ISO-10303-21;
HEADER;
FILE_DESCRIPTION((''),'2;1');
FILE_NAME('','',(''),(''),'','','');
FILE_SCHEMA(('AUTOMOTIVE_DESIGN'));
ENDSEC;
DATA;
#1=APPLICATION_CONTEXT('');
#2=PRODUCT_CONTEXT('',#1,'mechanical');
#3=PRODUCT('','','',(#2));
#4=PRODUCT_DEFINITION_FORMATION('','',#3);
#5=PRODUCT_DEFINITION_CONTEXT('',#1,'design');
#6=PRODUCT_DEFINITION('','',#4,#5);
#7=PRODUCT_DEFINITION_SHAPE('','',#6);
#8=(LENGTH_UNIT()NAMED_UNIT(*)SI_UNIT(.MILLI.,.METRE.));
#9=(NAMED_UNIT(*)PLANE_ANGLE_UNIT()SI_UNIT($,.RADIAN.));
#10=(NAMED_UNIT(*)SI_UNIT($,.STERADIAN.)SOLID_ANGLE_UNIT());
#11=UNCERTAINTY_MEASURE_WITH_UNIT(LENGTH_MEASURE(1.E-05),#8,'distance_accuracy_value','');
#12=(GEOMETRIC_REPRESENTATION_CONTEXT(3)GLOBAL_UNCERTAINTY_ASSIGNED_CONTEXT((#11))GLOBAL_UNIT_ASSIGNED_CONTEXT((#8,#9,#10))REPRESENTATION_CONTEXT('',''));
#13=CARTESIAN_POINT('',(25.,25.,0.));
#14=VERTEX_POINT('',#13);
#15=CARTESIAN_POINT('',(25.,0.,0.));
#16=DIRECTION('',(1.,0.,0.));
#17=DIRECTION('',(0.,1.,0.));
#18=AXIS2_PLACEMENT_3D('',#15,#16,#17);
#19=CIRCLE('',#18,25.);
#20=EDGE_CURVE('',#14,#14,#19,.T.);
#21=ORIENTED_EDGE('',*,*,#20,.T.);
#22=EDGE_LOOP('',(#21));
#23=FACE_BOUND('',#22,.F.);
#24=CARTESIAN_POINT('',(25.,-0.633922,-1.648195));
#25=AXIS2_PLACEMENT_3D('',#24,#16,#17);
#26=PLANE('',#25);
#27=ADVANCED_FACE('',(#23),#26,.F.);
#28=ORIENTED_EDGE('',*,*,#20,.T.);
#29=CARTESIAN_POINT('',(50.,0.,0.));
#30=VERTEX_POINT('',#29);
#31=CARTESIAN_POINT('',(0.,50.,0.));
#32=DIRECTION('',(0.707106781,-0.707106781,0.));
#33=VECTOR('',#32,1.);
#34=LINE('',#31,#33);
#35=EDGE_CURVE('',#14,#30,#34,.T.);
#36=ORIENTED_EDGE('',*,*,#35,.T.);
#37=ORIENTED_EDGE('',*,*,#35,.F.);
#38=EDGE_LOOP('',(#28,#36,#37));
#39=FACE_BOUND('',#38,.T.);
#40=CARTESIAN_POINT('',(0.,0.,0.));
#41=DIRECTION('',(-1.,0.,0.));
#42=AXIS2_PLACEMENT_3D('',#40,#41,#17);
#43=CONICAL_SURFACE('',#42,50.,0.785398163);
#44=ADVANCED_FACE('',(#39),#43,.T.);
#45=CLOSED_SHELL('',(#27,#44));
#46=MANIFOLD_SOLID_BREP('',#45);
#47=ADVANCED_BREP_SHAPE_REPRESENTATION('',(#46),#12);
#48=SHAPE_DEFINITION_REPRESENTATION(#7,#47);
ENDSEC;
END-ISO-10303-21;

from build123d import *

# Parameters (mm, degrees)
SKETCH001_W = 142.252221
SKETCH001_H = 119.938137
PAD_DEPTH   = 25


with BuildPart() as pad:
    # Sketch001 → Pad (new body)
    with BuildSketch(Plane.YZ):
        with Locations((-0.633922, -1.648195)):
            Rectangle(SKETCH001_W, SKETCH001_H)
    extrude(amount=PAD_DEPTH)


with BuildPart() as cut:
    # Sketch → Revolution (revolve)
    with BuildSketch(Plane.XY):
        Polygon((0, 0), (0, 50), (50, 0), align=None)
    revolve(axis=Axis((0, 0, 0), (1, 0, 0)))

    # Cut: cut Pad
    add(pad.part, mode=Mode.SUBTRACT)


solid = cut.part
